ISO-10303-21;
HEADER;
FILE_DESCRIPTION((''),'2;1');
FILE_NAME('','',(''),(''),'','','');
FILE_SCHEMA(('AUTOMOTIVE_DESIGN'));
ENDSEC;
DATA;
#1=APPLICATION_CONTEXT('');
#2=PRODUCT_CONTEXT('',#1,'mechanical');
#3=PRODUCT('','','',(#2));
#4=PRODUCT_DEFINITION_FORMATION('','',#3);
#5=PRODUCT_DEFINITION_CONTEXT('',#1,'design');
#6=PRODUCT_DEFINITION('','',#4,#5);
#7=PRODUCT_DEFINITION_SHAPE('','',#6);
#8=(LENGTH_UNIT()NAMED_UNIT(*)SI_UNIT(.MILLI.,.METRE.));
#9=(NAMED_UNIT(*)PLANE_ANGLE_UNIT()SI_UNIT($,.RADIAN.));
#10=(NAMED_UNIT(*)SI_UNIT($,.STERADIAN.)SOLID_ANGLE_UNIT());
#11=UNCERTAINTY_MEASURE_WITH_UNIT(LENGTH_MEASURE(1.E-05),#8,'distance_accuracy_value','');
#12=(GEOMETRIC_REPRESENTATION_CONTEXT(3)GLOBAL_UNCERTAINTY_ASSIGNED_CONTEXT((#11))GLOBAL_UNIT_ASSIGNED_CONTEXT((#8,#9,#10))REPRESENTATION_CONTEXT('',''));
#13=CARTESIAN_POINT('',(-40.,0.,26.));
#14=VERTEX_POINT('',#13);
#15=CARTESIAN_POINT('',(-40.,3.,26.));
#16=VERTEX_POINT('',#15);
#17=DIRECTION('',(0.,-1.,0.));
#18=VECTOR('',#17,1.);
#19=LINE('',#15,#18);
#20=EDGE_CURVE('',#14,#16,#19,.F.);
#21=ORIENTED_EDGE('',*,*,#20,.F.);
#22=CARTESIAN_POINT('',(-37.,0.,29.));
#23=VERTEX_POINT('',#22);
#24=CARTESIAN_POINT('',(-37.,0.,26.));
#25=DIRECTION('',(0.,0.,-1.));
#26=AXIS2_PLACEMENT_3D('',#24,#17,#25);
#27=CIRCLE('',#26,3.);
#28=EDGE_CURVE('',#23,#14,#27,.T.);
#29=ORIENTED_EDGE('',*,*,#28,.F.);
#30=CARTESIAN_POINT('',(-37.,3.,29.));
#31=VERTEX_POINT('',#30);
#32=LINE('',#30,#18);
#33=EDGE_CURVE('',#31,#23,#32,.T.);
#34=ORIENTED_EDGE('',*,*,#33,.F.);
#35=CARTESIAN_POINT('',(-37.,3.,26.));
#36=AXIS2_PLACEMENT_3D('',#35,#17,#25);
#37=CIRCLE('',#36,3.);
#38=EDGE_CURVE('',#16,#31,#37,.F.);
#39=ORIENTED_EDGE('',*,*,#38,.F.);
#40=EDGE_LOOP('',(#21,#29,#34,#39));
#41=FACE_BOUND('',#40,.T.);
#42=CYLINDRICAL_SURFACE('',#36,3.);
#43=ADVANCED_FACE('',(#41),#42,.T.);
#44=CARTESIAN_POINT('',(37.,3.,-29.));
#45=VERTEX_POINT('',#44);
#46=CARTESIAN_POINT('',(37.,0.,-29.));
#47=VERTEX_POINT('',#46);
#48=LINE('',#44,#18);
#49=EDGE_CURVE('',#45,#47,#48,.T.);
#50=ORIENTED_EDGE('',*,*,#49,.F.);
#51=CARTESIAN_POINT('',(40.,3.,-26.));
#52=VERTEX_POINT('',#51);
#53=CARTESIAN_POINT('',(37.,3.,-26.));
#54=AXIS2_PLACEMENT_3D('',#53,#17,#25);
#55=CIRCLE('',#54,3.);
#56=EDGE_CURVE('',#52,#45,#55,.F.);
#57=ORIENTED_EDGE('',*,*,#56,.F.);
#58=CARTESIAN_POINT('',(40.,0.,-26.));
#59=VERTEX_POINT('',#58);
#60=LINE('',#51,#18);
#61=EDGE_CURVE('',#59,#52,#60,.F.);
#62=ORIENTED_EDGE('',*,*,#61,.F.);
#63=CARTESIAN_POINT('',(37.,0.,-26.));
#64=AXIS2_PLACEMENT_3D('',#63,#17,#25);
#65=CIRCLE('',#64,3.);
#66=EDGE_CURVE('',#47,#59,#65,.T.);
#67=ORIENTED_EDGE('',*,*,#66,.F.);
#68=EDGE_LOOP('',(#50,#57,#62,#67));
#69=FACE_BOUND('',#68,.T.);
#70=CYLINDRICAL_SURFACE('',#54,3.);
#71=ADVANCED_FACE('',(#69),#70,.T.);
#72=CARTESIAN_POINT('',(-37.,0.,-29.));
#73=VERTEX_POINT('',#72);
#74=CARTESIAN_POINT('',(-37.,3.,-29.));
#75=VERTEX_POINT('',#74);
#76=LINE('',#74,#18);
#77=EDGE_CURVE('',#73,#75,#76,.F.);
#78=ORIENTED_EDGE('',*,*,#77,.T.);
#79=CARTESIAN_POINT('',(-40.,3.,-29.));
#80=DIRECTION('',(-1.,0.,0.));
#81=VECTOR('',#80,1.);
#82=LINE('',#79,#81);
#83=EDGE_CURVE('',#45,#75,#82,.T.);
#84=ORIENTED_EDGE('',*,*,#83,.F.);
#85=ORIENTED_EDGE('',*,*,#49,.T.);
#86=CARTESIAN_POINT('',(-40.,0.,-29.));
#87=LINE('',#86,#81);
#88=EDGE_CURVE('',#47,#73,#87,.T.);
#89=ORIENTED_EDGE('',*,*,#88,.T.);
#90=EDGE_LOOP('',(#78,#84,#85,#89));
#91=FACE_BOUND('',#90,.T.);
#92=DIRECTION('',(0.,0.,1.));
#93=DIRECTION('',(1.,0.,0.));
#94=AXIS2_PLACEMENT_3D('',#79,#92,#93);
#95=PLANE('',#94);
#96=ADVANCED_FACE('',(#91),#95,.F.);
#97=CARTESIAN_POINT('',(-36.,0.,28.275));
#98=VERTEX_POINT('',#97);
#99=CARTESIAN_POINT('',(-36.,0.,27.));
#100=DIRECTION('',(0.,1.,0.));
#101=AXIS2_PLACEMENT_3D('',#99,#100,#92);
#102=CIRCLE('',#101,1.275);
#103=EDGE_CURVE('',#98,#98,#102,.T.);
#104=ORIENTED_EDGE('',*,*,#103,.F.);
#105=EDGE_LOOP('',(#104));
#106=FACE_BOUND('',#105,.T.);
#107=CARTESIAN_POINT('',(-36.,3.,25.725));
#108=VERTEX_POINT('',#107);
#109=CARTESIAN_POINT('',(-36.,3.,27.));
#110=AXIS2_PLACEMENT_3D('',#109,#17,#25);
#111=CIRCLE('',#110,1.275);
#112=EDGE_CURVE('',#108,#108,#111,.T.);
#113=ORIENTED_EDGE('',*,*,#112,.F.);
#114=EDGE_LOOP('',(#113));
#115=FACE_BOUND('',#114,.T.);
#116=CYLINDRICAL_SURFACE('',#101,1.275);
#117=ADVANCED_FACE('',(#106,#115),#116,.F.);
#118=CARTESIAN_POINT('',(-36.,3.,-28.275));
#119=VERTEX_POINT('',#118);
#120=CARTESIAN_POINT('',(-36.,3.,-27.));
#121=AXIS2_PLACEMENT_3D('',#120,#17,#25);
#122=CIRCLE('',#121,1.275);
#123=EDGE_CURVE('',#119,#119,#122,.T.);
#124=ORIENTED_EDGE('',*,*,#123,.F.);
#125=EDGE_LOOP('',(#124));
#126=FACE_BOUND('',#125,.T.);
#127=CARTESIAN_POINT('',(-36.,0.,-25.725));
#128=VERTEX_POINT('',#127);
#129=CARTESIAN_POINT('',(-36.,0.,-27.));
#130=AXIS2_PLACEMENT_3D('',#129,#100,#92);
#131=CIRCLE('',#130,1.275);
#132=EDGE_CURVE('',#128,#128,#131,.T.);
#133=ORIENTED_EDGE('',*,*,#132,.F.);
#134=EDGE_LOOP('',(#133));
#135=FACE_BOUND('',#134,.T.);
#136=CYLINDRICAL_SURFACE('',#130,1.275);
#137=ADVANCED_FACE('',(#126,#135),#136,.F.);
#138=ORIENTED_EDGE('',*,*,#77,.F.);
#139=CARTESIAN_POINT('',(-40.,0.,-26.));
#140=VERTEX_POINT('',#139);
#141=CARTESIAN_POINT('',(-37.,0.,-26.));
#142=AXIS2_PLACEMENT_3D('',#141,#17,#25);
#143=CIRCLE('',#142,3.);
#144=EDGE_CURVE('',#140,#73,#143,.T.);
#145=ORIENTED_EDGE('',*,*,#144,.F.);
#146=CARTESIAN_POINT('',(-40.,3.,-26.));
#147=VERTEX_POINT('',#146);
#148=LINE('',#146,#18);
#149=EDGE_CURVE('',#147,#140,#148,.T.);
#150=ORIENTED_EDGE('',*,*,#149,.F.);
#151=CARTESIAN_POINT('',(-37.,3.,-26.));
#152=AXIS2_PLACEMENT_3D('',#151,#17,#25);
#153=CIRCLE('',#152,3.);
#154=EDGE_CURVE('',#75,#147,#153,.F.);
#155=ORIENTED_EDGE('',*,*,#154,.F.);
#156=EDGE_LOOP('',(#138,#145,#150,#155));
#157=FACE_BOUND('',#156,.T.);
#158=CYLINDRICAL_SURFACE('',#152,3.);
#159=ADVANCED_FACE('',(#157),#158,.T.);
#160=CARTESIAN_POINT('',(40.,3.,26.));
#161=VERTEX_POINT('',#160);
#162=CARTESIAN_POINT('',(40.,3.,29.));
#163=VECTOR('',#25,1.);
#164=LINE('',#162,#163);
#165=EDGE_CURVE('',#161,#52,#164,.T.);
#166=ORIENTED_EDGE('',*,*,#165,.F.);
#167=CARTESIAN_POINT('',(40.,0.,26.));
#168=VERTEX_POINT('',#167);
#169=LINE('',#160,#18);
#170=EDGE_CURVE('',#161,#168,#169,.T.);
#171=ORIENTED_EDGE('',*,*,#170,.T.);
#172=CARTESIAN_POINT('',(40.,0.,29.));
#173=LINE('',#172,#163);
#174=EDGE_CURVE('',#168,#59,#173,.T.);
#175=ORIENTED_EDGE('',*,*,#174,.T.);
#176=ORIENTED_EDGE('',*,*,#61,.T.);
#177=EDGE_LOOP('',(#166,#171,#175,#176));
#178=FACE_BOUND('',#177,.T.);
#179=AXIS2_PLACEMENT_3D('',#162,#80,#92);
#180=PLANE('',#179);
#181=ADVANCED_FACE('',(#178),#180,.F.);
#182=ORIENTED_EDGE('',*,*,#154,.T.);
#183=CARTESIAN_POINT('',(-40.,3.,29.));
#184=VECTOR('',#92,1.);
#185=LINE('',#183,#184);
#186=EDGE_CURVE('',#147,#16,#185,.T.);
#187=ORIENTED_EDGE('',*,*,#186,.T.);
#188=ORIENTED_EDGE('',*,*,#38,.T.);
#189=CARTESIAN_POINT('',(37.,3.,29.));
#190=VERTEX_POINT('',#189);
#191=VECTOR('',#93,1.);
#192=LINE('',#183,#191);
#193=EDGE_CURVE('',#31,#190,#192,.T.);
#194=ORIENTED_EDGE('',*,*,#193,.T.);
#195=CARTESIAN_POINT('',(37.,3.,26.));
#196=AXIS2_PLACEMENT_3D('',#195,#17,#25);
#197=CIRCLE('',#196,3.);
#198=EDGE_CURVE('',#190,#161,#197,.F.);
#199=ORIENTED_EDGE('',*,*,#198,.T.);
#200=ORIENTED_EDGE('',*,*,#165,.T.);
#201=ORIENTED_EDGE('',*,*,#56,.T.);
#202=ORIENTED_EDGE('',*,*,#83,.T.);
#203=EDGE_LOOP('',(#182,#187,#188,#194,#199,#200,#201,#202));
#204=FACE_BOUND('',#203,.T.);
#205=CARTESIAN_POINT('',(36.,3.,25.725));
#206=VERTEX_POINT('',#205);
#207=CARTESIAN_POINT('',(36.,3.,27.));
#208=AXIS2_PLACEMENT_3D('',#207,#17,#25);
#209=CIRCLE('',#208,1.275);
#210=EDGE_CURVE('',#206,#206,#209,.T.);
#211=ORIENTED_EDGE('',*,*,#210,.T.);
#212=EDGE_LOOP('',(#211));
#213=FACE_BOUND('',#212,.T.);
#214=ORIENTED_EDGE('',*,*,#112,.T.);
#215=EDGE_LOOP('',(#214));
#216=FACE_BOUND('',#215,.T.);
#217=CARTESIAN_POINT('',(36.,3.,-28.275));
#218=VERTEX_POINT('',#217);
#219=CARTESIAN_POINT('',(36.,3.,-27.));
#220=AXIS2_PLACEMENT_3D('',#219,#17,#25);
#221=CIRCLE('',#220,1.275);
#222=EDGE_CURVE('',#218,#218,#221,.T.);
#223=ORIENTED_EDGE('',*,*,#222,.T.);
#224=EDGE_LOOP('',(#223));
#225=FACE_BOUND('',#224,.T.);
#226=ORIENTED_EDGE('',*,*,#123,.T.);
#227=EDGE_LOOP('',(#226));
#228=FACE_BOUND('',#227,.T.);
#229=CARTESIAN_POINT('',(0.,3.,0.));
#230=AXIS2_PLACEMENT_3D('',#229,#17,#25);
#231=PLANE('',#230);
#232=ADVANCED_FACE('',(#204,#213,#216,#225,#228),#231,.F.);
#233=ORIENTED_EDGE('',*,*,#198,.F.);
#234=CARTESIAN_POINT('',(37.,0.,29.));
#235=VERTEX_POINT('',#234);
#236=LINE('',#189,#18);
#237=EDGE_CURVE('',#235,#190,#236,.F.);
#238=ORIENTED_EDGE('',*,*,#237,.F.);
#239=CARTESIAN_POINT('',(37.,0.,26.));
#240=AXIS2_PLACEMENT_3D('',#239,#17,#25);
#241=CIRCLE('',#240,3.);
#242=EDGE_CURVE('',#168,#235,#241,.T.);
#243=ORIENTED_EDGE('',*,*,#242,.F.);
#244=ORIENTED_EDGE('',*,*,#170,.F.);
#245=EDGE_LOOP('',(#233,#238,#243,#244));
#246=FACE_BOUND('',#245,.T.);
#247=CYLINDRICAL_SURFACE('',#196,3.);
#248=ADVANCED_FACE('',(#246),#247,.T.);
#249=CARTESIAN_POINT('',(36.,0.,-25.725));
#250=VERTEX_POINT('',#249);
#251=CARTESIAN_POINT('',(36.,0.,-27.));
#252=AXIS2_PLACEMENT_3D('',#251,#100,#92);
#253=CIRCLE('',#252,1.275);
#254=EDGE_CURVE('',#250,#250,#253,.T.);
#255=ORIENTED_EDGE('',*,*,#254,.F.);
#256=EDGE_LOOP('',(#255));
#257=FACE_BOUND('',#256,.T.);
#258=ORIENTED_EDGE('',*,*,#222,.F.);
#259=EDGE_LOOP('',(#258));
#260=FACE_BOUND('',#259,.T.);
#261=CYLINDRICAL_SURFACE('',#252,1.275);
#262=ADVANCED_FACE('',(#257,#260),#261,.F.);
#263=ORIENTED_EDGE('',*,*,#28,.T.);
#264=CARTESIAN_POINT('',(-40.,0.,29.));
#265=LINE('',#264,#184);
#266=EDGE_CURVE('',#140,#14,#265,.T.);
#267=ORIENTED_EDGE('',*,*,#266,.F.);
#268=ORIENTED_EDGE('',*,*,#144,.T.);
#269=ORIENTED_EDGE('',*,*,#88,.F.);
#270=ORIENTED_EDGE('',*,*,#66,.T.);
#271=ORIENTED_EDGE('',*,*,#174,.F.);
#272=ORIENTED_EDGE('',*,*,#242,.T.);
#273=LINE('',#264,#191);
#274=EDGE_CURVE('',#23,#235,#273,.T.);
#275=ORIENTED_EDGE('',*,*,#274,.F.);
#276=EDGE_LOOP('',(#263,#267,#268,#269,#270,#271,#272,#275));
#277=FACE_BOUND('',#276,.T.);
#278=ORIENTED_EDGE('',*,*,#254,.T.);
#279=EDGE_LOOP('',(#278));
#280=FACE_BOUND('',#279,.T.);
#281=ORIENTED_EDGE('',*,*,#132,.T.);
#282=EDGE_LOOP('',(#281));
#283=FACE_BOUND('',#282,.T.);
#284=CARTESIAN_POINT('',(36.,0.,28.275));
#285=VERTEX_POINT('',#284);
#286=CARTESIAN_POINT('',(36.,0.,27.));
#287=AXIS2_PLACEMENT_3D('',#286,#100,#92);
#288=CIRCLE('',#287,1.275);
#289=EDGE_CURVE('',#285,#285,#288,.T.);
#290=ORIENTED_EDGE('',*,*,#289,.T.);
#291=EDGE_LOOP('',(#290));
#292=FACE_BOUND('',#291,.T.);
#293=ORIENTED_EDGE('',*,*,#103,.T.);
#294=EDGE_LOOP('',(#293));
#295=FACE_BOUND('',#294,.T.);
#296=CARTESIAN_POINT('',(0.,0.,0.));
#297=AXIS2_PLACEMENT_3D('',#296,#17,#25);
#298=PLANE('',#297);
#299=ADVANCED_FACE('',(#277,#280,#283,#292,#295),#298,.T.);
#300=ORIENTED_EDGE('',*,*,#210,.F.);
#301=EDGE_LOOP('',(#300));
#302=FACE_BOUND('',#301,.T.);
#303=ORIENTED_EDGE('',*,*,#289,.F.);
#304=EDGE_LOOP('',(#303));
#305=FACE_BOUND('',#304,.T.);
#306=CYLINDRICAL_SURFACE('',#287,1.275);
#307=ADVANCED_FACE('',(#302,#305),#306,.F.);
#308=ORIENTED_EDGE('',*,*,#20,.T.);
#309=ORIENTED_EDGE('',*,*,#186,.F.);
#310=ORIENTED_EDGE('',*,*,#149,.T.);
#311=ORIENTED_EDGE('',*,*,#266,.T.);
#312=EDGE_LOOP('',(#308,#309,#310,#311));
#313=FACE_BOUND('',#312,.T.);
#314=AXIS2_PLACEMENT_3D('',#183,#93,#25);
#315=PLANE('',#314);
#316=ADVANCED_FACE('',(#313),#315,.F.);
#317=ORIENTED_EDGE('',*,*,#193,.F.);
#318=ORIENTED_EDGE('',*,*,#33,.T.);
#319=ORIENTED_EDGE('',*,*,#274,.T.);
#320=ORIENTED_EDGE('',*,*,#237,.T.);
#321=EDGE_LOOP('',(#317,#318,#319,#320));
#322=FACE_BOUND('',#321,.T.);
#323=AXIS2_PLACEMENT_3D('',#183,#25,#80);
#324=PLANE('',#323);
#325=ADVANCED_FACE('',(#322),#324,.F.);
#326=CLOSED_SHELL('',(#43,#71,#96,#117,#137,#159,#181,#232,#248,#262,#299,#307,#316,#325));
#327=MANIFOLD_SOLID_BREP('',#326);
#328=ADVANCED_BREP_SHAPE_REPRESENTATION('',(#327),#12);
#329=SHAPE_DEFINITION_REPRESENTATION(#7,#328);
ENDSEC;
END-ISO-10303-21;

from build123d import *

# Parameters (mm, degrees)
SKETCH_1_W               = 80
SKETCH_1_H               = 58
EXTRUDE_1_DEPTH          = 3
SKETCH_2_R               = 1.275
CUT_EXTRUDE_1_DEPTH      = 1
CUT_EXTRUDE_1_DEPTH_BACK = 4
FILLET_1_R               = 3


with BuildPart() as part:
    # 草图1 → 凸台-拉伸1 (new body)
    with BuildSketch(Plane(origin=(0, 0, 0), x_dir=(1, 0, 0), z_dir=(0, 1, 0))):
        Rectangle(SKETCH_1_W, SKETCH_1_H)
    extrude(amount=EXTRUDE_1_DEPTH)

    # 草图2 → 切除-拉伸1 (cut, two sides)
    with BuildSketch(Plane(origin=(0, 3, 0), x_dir=(1, 0, 0), z_dir=(0, 1, 0))) as cut_extrude_1_sk:
        with Locations((36, -27)):
            Circle(SKETCH_2_R)
        with Locations((36, 27)):
            Circle(SKETCH_2_R)
        with Locations((-36, 27)):
            Circle(SKETCH_2_R)
        with Locations((-36, -27)):
            Circle(SKETCH_2_R)
    extrude(amount=CUT_EXTRUDE_1_DEPTH, mode=Mode.SUBTRACT)
    extrude(cut_extrude_1_sk.sketch, amount=-CUT_EXTRUDE_1_DEPTH_BACK, mode=Mode.SUBTRACT)

    # 圆角1
    fillet_1_edges = [part.edges().sort_by_distance(p)[0] for p in [
        (40, 1.5, 29),
        (-40, 1.5, 29),
        (-40, 1.5, -29),
        (40, 1.5, -29),
    ]]
    fillet(fillet_1_edges, radius=FILLET_1_R)


solid = part.part
